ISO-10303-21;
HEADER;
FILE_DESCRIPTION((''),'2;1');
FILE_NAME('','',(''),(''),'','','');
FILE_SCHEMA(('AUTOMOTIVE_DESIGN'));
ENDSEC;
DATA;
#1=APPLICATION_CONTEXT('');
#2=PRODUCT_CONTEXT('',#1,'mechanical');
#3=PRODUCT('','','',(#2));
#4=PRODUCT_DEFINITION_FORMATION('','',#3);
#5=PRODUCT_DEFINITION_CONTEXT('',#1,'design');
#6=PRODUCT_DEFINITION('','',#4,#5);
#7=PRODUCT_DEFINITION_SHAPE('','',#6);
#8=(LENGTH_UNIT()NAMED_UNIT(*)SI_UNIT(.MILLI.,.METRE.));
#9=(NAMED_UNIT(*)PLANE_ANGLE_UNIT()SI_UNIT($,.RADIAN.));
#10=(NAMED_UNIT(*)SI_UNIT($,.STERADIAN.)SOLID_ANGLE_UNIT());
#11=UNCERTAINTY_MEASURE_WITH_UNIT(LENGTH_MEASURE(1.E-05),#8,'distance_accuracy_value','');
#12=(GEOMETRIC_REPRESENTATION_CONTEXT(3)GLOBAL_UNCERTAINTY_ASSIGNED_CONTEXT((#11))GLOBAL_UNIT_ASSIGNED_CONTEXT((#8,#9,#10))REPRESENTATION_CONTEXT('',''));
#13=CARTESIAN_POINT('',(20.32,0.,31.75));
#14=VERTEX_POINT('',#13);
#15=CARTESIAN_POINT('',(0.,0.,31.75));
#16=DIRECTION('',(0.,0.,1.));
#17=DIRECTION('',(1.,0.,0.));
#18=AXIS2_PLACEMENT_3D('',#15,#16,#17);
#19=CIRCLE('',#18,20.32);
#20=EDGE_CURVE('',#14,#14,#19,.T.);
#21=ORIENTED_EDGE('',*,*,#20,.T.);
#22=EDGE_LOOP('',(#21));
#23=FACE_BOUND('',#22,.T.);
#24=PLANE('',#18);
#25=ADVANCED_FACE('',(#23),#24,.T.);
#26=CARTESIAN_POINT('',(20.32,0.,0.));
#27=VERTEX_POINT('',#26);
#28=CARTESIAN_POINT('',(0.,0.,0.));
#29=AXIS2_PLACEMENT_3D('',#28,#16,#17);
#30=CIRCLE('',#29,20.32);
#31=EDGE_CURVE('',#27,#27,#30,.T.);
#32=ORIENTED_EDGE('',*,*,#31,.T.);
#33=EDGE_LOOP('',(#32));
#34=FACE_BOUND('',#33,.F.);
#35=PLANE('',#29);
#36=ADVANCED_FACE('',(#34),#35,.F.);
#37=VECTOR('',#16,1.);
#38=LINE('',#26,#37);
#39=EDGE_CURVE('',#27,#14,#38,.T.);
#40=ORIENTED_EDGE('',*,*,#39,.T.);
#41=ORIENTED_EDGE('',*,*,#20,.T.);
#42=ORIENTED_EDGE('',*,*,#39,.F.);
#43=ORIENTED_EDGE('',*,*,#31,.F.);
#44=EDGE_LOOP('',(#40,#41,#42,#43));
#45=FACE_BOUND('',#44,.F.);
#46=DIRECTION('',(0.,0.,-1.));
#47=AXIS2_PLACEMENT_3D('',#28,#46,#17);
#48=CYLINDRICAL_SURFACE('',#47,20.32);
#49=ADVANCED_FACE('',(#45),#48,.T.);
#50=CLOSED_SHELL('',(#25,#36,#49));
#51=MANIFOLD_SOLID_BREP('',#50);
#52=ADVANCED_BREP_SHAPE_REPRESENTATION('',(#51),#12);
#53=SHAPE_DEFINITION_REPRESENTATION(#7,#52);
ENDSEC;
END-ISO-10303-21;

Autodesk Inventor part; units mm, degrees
ref_plane "YZ Plane" through (0, 0, 0) normal (1, 0, 0) x (0, 1, 0)
ref_plane "XZ Plane" through (0, 0, 0) normal (0, 1, 0) x (-1, 0, 0)
ref_plane "XY Plane" through (0, 0, 0) normal (0, 0, 1) x (1, 0, 0)
sketch "Sketch1" plane through (0, 0, 0) normal (0, 0, 1) x (1, 0, 0)
  circle A0 centre (0, 0) radius 20.32
  dimension "d0" = 40.64
extrude "Extrusion1" add sketch "Sketch1" along normal blind 31.75
properties part number "Motor - DT750"
